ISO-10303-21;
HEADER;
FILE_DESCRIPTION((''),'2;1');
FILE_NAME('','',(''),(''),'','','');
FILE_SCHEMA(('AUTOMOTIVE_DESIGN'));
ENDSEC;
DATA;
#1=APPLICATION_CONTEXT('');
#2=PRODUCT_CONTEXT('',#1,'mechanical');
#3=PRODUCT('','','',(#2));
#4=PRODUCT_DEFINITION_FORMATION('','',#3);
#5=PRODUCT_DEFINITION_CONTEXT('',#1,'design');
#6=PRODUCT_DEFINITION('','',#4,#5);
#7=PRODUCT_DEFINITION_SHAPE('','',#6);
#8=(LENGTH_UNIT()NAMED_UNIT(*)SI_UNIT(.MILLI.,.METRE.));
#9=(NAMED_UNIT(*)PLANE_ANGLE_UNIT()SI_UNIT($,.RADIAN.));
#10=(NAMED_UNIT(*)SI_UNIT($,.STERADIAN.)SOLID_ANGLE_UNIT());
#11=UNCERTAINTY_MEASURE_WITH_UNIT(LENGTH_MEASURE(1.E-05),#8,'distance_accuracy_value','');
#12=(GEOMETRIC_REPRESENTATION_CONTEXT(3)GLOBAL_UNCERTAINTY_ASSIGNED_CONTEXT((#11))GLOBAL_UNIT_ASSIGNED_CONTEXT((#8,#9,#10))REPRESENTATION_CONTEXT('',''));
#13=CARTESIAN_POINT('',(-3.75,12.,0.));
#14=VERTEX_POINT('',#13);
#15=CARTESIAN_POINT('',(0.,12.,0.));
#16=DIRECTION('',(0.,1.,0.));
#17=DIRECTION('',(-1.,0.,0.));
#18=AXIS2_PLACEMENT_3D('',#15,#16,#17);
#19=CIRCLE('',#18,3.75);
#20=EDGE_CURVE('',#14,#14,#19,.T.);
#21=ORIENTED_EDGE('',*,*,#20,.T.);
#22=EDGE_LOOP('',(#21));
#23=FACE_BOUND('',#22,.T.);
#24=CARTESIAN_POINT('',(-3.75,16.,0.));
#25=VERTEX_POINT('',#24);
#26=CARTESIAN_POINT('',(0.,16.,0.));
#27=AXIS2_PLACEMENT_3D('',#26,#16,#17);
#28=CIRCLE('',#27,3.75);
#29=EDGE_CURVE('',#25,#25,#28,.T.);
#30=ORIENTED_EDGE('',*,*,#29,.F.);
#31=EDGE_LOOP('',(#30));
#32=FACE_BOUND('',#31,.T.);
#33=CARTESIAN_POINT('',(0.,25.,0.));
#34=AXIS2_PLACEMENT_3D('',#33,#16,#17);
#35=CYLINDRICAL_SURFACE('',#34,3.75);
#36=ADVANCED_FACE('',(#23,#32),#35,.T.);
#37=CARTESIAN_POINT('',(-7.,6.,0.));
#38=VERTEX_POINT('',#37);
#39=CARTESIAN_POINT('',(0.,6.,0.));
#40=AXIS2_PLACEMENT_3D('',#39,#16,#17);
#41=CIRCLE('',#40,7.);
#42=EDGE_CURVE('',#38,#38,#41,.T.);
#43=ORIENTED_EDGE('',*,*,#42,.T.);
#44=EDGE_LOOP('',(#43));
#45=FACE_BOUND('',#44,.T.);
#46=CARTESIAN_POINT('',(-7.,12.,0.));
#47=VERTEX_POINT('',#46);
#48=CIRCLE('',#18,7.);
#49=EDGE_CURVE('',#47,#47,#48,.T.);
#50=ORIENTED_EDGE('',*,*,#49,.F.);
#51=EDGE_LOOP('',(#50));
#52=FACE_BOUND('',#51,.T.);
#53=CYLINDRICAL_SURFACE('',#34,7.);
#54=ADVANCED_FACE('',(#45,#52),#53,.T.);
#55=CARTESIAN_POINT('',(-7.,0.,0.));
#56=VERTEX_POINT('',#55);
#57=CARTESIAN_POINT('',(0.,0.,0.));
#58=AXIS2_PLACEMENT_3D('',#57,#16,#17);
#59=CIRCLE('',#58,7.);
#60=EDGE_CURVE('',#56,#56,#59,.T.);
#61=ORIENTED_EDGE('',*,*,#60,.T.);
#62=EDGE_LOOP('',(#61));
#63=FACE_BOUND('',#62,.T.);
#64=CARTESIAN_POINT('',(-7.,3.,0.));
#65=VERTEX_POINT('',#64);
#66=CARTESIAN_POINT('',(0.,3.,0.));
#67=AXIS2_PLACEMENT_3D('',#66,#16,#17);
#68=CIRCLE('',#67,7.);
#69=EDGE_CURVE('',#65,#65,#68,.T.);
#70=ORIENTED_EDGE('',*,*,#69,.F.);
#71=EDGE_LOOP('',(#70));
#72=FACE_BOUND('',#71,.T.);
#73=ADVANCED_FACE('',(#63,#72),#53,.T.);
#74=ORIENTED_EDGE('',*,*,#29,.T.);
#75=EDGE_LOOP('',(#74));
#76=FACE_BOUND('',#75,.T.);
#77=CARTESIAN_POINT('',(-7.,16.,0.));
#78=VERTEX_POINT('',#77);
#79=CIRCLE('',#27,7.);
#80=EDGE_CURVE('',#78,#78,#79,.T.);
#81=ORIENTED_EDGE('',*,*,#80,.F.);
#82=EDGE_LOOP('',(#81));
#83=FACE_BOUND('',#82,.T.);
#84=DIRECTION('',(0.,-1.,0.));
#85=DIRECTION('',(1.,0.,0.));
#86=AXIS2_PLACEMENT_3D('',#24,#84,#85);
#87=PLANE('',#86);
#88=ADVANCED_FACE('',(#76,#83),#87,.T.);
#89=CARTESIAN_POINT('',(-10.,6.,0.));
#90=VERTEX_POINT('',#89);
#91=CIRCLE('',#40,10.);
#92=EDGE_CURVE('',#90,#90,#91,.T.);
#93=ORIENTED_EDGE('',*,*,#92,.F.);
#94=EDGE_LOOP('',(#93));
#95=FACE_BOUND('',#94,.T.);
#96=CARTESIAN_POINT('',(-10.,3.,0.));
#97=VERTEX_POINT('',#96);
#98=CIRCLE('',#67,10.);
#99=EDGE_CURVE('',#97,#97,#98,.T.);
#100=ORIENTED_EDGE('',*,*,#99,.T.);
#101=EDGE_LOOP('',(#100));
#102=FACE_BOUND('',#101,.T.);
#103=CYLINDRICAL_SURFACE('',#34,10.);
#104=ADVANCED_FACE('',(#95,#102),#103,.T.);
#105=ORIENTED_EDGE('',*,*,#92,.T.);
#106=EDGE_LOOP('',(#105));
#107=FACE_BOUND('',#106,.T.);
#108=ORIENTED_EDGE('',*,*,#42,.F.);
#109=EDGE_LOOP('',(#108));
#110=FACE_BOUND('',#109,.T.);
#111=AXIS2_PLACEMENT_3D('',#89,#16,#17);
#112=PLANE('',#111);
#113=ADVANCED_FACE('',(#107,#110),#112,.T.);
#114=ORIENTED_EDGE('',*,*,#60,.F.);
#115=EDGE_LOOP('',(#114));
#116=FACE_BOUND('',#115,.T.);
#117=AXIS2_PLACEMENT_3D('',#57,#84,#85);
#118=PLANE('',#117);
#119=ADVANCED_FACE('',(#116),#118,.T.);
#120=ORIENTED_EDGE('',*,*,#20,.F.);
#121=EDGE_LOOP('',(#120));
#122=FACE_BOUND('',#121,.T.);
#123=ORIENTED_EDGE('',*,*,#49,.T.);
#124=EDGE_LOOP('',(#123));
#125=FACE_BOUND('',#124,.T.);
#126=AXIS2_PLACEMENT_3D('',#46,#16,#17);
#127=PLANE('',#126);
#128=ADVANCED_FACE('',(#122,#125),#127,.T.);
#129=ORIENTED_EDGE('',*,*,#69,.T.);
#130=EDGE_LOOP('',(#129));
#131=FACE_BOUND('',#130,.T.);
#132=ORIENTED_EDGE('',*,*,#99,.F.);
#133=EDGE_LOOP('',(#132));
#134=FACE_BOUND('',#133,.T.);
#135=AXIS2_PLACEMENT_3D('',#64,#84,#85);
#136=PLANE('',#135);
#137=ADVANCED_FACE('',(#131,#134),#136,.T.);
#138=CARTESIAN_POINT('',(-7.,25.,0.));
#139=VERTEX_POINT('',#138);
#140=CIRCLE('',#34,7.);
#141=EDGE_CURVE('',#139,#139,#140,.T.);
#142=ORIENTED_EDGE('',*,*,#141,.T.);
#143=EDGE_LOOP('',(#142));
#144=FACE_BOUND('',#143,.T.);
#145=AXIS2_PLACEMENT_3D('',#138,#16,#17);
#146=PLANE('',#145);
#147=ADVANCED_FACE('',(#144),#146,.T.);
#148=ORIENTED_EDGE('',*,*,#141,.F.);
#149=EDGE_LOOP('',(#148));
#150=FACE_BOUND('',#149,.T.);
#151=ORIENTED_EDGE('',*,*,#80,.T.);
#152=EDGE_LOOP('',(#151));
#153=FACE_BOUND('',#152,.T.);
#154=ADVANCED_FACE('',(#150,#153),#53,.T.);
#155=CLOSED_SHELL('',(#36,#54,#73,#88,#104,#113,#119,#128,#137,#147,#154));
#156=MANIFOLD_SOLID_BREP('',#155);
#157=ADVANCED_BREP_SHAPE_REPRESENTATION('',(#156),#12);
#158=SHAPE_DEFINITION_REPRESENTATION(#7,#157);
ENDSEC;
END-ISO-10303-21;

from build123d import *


with BuildPart() as part:
    # Sketch1 → Revolve1 (revolve)
    with BuildSketch(Plane.XY):
        Polygon((0, 0), (-7, 0), (-7, 3), (-10, 3), (-10, 6), (-7, 6), (-7, 12), (-3.75, 12), (-3.75, 16), (-7, 16), (-7, 25), (0, 25), align=None)
    revolve(axis=Axis((0, 25, 0), (0, -1, 0)))


solid = part.part
